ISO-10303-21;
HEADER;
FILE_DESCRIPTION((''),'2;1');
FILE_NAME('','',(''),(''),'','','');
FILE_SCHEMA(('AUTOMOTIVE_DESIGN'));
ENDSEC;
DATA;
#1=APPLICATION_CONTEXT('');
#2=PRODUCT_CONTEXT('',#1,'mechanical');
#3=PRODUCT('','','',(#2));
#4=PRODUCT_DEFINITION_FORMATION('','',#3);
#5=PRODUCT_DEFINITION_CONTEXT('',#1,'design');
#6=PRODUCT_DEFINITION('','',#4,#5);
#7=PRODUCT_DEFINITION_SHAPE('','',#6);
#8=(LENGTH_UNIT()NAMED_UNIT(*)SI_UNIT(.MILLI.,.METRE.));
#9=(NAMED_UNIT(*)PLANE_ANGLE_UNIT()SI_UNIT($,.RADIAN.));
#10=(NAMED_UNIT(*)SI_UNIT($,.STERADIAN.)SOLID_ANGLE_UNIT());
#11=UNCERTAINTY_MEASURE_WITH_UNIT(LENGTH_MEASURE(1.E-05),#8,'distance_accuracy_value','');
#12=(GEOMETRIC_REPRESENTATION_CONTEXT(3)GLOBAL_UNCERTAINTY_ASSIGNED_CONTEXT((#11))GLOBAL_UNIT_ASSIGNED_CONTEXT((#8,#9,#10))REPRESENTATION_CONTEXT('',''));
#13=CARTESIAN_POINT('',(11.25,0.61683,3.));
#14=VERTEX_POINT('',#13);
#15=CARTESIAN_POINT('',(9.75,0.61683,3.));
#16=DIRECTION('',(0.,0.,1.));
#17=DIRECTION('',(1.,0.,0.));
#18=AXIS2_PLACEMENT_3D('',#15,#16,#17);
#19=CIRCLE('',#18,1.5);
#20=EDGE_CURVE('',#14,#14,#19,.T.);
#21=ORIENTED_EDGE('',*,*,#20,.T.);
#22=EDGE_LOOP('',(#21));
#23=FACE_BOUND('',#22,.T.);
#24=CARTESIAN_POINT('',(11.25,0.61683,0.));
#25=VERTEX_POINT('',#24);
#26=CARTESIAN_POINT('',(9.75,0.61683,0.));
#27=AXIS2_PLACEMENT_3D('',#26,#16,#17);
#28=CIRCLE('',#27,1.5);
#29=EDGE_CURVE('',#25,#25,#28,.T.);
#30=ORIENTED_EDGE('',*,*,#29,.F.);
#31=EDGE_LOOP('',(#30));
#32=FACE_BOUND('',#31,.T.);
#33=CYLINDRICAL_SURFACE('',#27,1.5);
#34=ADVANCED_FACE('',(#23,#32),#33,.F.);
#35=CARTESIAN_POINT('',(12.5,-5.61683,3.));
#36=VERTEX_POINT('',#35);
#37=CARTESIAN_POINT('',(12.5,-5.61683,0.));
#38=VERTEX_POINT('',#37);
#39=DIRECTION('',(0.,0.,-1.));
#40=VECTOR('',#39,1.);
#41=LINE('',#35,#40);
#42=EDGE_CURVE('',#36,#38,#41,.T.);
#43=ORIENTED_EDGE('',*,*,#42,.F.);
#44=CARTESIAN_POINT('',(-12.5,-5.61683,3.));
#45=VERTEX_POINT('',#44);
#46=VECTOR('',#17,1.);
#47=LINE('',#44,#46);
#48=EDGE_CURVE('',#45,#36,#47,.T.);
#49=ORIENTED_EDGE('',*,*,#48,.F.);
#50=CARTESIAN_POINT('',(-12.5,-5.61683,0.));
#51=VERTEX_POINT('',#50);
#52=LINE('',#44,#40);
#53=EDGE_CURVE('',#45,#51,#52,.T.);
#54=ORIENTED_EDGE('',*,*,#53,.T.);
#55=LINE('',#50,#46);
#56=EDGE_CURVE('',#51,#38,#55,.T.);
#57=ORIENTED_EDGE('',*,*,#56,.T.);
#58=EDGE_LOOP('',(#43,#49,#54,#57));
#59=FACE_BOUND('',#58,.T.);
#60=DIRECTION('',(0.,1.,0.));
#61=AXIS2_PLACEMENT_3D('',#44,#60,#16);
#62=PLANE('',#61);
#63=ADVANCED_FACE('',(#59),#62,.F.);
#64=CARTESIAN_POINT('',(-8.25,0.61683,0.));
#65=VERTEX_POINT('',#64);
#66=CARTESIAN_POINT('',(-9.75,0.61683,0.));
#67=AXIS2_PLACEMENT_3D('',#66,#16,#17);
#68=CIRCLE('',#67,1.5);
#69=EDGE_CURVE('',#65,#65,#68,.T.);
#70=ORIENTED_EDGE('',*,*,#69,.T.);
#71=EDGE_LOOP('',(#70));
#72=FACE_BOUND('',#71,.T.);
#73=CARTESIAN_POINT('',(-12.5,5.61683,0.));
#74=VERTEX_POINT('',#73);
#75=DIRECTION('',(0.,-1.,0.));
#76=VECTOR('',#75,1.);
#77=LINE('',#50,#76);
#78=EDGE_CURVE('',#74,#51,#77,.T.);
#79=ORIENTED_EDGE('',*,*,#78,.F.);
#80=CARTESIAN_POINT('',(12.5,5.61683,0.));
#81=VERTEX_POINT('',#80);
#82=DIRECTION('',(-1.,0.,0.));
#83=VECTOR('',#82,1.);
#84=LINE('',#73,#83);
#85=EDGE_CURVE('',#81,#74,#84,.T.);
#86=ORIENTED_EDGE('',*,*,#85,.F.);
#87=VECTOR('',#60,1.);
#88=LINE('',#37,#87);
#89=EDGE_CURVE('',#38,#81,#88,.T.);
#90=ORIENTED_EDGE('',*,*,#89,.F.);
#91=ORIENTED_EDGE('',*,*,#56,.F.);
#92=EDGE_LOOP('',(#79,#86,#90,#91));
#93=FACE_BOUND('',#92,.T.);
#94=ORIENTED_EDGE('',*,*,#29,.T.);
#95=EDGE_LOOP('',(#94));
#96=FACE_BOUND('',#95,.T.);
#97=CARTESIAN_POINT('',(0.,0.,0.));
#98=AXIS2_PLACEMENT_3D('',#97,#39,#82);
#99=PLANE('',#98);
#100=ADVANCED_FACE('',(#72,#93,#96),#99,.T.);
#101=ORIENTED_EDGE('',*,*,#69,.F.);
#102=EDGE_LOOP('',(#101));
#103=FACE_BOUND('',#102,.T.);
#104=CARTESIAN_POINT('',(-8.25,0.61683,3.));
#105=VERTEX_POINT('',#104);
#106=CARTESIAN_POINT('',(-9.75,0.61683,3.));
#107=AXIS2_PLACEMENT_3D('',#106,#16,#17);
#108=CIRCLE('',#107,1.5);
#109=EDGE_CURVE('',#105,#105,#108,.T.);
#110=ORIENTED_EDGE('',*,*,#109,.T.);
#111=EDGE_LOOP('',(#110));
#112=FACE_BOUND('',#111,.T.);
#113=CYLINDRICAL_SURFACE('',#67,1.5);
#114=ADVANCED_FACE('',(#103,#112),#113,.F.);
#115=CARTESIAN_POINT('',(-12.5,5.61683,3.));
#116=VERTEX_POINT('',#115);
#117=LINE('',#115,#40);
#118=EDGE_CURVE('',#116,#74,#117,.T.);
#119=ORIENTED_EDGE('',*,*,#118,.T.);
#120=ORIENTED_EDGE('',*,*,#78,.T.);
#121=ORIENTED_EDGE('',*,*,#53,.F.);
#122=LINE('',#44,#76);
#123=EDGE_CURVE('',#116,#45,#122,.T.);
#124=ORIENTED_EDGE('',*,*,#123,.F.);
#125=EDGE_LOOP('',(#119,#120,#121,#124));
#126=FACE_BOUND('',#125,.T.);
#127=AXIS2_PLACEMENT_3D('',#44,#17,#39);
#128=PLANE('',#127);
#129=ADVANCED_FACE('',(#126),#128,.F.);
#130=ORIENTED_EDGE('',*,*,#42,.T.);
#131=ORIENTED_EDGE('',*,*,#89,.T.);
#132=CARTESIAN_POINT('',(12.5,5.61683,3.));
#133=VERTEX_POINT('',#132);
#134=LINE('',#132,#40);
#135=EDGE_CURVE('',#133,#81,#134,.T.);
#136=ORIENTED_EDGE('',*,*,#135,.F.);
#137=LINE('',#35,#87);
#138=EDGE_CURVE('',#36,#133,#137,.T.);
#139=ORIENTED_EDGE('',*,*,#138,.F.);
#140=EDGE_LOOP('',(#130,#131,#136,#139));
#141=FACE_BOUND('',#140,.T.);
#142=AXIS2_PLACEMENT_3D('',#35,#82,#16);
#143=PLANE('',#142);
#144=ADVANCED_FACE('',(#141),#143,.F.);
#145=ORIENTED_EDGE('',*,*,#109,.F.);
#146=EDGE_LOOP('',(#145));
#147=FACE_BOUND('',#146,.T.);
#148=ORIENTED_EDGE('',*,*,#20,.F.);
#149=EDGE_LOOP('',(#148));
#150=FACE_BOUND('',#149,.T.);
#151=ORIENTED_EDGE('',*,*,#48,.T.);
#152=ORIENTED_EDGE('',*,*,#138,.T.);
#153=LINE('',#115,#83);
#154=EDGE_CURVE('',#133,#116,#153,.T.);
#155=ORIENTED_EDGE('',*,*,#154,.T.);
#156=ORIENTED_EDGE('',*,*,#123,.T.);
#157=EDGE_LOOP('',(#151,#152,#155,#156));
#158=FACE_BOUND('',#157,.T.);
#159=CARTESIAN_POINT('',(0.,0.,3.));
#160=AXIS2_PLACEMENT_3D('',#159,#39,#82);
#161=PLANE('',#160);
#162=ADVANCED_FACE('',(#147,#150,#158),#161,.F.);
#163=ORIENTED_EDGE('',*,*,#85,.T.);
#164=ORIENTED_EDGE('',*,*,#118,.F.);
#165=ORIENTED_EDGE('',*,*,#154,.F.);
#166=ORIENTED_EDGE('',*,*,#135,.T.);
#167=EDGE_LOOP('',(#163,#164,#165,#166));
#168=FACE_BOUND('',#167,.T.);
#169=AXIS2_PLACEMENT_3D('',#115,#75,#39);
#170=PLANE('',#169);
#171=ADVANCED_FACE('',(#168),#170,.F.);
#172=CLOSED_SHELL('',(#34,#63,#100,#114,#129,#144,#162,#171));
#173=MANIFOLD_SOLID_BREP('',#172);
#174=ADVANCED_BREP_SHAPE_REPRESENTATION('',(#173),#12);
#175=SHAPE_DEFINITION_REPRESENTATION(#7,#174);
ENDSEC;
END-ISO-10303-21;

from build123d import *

# Parameters (mm, degrees)
SKETCH1_W           = 25
SKETCH1_H           = 11.23366013
BOSS_EXTRUDE1_DEPTH = 3
SKETCH2_R           = 1.5
CUT_EXTRUDE1_DEPTH  = 15.02849885


with BuildPart() as part:
    # Sketch1 → Boss-Extrude1 (new body)
    with BuildSketch(Plane.XY):
        Rectangle(SKETCH1_W, SKETCH1_H)
    extrude(amount=BOSS_EXTRUDE1_DEPTH)

    # Sketch2 → Cut-Extrude1 (cut, through all)
    with BuildSketch(Plane.XY.offset(3)):
        with Locations((-9.75, 0.616830065)):
            Circle(SKETCH2_R)
        with Locations((9.75, 0.616830065)):
            Circle(SKETCH2_R)
    extrude(amount=-CUT_EXTRUDE1_DEPTH, mode=Mode.SUBTRACT)


solid = part.part
